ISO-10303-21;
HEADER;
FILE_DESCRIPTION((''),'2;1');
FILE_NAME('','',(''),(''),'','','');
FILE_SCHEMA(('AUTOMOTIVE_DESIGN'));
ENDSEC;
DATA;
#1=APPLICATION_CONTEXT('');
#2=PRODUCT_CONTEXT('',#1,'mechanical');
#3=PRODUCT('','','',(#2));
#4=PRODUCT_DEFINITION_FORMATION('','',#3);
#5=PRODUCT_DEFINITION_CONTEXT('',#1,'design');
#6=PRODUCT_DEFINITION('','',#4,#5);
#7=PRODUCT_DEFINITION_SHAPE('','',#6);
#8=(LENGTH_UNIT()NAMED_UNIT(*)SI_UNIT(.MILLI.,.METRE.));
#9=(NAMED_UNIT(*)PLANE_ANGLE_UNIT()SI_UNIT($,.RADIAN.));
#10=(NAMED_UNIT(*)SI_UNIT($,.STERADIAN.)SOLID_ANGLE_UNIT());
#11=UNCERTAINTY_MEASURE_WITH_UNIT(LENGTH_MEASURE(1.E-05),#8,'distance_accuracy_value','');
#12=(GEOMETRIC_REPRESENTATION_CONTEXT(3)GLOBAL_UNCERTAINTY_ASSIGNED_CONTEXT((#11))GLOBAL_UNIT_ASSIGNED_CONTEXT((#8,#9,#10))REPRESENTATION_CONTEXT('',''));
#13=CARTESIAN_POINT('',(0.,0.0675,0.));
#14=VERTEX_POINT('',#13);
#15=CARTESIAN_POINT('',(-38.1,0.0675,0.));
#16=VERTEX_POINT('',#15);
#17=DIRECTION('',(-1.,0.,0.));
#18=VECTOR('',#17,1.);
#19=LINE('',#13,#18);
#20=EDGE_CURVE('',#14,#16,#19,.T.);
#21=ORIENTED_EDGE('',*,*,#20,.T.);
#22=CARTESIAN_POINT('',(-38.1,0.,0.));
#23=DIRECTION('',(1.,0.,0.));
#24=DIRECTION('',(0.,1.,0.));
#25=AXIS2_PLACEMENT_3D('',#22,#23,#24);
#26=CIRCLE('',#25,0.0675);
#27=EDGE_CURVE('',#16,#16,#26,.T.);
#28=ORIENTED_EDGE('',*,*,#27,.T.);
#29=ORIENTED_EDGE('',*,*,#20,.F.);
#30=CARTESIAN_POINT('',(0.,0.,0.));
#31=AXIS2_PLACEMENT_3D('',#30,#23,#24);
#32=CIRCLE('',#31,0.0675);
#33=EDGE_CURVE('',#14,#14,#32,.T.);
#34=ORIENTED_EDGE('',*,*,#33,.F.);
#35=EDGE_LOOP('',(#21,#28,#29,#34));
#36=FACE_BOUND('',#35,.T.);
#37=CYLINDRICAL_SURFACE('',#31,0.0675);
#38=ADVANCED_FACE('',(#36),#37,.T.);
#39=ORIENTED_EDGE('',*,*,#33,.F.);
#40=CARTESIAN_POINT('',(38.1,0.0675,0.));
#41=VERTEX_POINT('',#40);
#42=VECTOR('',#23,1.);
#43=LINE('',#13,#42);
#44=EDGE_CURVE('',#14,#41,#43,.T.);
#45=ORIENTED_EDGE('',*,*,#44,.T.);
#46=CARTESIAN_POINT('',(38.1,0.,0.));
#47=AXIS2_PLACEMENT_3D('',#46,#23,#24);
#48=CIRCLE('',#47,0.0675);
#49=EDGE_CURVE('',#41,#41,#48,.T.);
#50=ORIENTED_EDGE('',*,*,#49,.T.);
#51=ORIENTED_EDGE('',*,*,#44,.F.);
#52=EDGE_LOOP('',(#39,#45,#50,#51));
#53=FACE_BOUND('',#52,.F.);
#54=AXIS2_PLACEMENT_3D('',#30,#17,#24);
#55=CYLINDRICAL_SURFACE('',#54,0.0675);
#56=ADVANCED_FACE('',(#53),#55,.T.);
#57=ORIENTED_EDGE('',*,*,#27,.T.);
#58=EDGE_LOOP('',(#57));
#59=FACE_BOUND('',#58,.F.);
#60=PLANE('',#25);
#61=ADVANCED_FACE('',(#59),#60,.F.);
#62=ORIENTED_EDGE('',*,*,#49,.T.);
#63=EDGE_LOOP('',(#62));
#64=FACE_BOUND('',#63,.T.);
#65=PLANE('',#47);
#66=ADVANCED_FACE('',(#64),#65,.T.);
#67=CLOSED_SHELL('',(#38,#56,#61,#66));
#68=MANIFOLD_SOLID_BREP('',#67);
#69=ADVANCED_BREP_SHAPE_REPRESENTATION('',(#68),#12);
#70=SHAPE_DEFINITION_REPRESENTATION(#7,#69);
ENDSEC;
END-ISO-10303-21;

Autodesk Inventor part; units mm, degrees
ref_plane "YZ Plane" through (0, 0, 0) normal (1, 0, 0) x (0, 1, 0)
ref_plane "XZ Plane" through (0, 0, 0) normal (0, 1, 0) x (-1, 0, 0)
ref_plane "XY Plane" through (0, 0, 0) normal (0, 0, 1) x (1, 0, 0)
sketch "Sketch2" plane through (0, 0, 0) normal (1, 0, 0) x (0, 1, 0)
  circle A0 centre (0, 0) radius 0.0675
  dimension "d0" = 0.135
extrude "Extrusion1" add sketch "Sketch2" along normal mid plane 76.2
equation "\"BendRadius\" = Thickness"
equation "\"BendReliefWidth\" = Thickness"
equation "\"BendReliefDepth\" = 0.5 * Thickness"
equation "\"CornerReliefSize\" = 4 * Thickness"
equation "\"MinimumRemnant\" = 2 * Thickness"
equation "\"TransitionRadius\" = BendRadius"
equation "\"JacobiRadiusSize\" = BendRadius"
equation "\"GapSize\" = Thickness"
equation "\"Thickness\" = 3.048"
properties part number "SiCElement"
